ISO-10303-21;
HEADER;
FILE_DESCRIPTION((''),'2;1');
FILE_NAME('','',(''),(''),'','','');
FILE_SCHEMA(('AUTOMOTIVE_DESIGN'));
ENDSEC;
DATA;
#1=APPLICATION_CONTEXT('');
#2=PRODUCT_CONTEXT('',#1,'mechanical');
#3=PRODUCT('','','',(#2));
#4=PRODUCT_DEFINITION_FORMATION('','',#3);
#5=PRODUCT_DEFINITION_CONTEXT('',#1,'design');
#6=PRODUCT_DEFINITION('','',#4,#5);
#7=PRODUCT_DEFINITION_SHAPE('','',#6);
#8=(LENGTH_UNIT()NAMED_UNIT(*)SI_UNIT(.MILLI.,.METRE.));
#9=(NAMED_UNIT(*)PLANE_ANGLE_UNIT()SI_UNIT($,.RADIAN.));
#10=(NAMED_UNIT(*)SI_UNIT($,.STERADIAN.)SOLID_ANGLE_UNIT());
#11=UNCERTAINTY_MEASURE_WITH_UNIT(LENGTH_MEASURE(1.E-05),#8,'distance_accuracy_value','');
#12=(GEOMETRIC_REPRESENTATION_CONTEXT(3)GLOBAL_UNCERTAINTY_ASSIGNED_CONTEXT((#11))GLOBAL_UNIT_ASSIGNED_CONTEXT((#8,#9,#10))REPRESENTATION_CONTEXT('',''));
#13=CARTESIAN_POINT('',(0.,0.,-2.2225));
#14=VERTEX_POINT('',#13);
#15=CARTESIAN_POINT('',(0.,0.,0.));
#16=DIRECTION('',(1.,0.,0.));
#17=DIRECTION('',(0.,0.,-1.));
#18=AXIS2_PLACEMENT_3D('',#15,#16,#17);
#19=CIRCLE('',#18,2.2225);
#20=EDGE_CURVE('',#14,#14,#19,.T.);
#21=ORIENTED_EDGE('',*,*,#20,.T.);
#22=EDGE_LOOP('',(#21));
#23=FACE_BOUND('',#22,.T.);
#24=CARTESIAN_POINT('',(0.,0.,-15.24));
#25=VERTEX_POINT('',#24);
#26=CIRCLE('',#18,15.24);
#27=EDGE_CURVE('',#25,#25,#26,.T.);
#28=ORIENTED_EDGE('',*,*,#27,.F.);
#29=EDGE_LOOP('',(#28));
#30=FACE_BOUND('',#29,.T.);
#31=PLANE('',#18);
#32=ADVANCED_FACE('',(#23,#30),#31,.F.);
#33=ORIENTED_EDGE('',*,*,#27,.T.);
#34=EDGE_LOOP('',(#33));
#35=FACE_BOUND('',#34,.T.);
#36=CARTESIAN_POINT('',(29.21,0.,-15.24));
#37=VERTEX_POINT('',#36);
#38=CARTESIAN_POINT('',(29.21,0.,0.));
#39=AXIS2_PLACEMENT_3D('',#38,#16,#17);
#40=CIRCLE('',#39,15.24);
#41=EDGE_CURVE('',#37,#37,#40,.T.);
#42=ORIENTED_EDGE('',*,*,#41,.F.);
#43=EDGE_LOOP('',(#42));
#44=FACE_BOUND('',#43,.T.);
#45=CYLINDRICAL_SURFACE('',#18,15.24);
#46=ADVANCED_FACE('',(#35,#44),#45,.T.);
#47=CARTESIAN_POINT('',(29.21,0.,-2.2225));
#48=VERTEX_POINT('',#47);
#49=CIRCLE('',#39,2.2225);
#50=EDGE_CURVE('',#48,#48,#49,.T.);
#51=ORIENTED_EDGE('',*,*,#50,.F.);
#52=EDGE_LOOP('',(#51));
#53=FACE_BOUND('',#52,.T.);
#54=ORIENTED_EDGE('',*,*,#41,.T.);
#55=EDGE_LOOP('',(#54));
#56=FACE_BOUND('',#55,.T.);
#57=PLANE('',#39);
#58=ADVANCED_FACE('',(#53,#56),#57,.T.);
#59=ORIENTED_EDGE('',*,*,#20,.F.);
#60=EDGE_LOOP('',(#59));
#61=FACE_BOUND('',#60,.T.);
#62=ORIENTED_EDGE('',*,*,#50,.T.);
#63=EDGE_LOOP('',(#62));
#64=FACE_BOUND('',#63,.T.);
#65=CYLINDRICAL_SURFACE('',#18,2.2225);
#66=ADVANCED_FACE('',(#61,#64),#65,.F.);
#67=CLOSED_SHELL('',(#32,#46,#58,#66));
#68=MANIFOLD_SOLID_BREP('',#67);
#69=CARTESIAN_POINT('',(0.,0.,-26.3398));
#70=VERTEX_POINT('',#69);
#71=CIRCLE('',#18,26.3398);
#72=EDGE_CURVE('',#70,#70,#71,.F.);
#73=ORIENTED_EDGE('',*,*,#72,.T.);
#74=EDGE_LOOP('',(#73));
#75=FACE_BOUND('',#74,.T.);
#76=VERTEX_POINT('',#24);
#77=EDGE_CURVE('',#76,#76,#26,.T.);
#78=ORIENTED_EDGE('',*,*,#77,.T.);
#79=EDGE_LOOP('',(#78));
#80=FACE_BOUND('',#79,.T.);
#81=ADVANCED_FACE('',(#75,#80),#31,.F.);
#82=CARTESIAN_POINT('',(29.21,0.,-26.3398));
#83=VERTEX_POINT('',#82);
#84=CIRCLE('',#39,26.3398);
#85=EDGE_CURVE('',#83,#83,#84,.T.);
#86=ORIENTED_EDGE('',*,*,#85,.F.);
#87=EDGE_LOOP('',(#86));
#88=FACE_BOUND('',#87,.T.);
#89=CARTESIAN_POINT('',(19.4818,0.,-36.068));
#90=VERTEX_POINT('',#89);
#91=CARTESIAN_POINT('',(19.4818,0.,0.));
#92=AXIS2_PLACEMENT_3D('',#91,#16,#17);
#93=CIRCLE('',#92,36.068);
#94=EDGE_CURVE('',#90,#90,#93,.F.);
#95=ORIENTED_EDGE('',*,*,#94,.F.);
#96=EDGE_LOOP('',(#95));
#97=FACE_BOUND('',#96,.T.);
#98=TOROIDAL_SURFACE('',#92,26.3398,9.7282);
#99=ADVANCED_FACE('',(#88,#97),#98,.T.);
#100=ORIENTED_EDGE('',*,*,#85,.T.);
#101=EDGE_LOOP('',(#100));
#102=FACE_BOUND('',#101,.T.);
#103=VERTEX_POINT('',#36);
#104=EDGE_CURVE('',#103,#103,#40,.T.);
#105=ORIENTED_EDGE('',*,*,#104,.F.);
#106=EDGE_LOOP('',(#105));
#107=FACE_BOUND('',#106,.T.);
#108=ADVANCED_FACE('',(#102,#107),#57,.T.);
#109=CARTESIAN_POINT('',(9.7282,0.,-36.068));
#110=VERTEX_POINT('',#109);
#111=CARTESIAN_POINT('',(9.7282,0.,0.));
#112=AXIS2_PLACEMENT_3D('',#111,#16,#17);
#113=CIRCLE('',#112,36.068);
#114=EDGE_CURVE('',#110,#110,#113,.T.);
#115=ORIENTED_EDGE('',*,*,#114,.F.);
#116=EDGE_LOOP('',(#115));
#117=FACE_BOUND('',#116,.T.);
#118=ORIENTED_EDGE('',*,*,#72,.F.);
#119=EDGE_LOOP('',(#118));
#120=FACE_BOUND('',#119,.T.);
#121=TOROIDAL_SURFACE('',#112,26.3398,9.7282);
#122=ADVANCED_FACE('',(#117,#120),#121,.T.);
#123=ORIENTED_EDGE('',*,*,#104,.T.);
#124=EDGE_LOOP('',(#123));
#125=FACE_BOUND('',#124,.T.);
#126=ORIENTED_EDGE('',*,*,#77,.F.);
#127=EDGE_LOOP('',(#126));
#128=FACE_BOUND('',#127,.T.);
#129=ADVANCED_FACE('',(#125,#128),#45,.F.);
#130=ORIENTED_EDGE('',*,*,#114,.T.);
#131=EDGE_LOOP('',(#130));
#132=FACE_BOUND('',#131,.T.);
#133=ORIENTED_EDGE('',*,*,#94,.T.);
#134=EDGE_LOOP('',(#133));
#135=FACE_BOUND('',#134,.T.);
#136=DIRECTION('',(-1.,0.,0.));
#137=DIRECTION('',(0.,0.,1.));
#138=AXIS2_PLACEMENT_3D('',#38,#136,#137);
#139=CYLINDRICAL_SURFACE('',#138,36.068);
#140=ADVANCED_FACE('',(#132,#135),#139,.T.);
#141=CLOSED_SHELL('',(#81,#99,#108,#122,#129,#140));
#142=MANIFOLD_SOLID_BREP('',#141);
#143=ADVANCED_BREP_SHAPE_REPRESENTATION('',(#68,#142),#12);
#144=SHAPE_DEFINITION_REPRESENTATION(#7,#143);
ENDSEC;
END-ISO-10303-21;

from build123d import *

# Parameters (mm, degrees)
SKETCH1_R           = 36.068
BOSS_EXTRUDE1_DEPTH = 29.21
FILLET1_R           = 9.7282
FILLET2_R           = 9.7282
SKETCH2_R           = 15.24
CUT_EXTRUDE1_DEPTH  = 59.779463659
SKETCH3_R           = 15.24
BOSS_EXTRUDE2_DEPTH = 29.21
SKETCH4_R           = 2.2225
CUT_EXTRUDE2_DEPTH  = 29.21


with BuildPart() as part:
    # Sketch1 → Boss-Extrude1 (new body)
    with BuildSketch(Plane(origin=(0, 0, 0), x_dir=(0, 0, -1), z_dir=(1, 0, 0))):
        with Locations(Location((0, 0, 0), (0, 0, 180))):
            Circle(SKETCH1_R)
    extrude(amount=BOSS_EXTRUDE1_DEPTH)

    # Fillet1
    fillet1_edges = [part.edges().sort_by_distance(p)[0] for p in [
        (29.21, 0, -36.068),
    ]]
    fillet(fillet1_edges, radius=FILLET1_R)

    # Fillet2
    fillet2_edges = [part.edges().sort_by_distance(p)[0] for p in [
        (0, 0, -36.068),
    ]]
    fillet(fillet2_edges, radius=FILLET2_R)

    # Sketch2 → Cut-Extrude1 (cut, through all)
    with BuildSketch(Plane(origin=(29.21, 0, 0), x_dir=(0, 0, -1), z_dir=(1, 0, 0))):
        Circle(SKETCH2_R)
    extrude(amount=-CUT_EXTRUDE1_DEPTH, mode=Mode.SUBTRACT)


with BuildPart() as body_2:
    # Sketch3 → Boss-Extrude2 (new body)
    with BuildSketch(Plane(origin=(29.21, 0, 0), x_dir=(0, 0, -1), z_dir=(1, 0, 0))):
        Circle(SKETCH3_R)
    extrude(amount=-BOSS_EXTRUDE2_DEPTH)

    # Sketch4 → Cut-Extrude2 (cut)
    with BuildSketch(Plane(origin=(29.21, 0, 0), x_dir=(0, 0, -1), z_dir=(1, 0, 0))):
        Circle(SKETCH4_R)
    extrude(amount=-CUT_EXTRUDE2_DEPTH, mode=Mode.SUBTRACT)


solid = Compound([part.part, body_2.part])
